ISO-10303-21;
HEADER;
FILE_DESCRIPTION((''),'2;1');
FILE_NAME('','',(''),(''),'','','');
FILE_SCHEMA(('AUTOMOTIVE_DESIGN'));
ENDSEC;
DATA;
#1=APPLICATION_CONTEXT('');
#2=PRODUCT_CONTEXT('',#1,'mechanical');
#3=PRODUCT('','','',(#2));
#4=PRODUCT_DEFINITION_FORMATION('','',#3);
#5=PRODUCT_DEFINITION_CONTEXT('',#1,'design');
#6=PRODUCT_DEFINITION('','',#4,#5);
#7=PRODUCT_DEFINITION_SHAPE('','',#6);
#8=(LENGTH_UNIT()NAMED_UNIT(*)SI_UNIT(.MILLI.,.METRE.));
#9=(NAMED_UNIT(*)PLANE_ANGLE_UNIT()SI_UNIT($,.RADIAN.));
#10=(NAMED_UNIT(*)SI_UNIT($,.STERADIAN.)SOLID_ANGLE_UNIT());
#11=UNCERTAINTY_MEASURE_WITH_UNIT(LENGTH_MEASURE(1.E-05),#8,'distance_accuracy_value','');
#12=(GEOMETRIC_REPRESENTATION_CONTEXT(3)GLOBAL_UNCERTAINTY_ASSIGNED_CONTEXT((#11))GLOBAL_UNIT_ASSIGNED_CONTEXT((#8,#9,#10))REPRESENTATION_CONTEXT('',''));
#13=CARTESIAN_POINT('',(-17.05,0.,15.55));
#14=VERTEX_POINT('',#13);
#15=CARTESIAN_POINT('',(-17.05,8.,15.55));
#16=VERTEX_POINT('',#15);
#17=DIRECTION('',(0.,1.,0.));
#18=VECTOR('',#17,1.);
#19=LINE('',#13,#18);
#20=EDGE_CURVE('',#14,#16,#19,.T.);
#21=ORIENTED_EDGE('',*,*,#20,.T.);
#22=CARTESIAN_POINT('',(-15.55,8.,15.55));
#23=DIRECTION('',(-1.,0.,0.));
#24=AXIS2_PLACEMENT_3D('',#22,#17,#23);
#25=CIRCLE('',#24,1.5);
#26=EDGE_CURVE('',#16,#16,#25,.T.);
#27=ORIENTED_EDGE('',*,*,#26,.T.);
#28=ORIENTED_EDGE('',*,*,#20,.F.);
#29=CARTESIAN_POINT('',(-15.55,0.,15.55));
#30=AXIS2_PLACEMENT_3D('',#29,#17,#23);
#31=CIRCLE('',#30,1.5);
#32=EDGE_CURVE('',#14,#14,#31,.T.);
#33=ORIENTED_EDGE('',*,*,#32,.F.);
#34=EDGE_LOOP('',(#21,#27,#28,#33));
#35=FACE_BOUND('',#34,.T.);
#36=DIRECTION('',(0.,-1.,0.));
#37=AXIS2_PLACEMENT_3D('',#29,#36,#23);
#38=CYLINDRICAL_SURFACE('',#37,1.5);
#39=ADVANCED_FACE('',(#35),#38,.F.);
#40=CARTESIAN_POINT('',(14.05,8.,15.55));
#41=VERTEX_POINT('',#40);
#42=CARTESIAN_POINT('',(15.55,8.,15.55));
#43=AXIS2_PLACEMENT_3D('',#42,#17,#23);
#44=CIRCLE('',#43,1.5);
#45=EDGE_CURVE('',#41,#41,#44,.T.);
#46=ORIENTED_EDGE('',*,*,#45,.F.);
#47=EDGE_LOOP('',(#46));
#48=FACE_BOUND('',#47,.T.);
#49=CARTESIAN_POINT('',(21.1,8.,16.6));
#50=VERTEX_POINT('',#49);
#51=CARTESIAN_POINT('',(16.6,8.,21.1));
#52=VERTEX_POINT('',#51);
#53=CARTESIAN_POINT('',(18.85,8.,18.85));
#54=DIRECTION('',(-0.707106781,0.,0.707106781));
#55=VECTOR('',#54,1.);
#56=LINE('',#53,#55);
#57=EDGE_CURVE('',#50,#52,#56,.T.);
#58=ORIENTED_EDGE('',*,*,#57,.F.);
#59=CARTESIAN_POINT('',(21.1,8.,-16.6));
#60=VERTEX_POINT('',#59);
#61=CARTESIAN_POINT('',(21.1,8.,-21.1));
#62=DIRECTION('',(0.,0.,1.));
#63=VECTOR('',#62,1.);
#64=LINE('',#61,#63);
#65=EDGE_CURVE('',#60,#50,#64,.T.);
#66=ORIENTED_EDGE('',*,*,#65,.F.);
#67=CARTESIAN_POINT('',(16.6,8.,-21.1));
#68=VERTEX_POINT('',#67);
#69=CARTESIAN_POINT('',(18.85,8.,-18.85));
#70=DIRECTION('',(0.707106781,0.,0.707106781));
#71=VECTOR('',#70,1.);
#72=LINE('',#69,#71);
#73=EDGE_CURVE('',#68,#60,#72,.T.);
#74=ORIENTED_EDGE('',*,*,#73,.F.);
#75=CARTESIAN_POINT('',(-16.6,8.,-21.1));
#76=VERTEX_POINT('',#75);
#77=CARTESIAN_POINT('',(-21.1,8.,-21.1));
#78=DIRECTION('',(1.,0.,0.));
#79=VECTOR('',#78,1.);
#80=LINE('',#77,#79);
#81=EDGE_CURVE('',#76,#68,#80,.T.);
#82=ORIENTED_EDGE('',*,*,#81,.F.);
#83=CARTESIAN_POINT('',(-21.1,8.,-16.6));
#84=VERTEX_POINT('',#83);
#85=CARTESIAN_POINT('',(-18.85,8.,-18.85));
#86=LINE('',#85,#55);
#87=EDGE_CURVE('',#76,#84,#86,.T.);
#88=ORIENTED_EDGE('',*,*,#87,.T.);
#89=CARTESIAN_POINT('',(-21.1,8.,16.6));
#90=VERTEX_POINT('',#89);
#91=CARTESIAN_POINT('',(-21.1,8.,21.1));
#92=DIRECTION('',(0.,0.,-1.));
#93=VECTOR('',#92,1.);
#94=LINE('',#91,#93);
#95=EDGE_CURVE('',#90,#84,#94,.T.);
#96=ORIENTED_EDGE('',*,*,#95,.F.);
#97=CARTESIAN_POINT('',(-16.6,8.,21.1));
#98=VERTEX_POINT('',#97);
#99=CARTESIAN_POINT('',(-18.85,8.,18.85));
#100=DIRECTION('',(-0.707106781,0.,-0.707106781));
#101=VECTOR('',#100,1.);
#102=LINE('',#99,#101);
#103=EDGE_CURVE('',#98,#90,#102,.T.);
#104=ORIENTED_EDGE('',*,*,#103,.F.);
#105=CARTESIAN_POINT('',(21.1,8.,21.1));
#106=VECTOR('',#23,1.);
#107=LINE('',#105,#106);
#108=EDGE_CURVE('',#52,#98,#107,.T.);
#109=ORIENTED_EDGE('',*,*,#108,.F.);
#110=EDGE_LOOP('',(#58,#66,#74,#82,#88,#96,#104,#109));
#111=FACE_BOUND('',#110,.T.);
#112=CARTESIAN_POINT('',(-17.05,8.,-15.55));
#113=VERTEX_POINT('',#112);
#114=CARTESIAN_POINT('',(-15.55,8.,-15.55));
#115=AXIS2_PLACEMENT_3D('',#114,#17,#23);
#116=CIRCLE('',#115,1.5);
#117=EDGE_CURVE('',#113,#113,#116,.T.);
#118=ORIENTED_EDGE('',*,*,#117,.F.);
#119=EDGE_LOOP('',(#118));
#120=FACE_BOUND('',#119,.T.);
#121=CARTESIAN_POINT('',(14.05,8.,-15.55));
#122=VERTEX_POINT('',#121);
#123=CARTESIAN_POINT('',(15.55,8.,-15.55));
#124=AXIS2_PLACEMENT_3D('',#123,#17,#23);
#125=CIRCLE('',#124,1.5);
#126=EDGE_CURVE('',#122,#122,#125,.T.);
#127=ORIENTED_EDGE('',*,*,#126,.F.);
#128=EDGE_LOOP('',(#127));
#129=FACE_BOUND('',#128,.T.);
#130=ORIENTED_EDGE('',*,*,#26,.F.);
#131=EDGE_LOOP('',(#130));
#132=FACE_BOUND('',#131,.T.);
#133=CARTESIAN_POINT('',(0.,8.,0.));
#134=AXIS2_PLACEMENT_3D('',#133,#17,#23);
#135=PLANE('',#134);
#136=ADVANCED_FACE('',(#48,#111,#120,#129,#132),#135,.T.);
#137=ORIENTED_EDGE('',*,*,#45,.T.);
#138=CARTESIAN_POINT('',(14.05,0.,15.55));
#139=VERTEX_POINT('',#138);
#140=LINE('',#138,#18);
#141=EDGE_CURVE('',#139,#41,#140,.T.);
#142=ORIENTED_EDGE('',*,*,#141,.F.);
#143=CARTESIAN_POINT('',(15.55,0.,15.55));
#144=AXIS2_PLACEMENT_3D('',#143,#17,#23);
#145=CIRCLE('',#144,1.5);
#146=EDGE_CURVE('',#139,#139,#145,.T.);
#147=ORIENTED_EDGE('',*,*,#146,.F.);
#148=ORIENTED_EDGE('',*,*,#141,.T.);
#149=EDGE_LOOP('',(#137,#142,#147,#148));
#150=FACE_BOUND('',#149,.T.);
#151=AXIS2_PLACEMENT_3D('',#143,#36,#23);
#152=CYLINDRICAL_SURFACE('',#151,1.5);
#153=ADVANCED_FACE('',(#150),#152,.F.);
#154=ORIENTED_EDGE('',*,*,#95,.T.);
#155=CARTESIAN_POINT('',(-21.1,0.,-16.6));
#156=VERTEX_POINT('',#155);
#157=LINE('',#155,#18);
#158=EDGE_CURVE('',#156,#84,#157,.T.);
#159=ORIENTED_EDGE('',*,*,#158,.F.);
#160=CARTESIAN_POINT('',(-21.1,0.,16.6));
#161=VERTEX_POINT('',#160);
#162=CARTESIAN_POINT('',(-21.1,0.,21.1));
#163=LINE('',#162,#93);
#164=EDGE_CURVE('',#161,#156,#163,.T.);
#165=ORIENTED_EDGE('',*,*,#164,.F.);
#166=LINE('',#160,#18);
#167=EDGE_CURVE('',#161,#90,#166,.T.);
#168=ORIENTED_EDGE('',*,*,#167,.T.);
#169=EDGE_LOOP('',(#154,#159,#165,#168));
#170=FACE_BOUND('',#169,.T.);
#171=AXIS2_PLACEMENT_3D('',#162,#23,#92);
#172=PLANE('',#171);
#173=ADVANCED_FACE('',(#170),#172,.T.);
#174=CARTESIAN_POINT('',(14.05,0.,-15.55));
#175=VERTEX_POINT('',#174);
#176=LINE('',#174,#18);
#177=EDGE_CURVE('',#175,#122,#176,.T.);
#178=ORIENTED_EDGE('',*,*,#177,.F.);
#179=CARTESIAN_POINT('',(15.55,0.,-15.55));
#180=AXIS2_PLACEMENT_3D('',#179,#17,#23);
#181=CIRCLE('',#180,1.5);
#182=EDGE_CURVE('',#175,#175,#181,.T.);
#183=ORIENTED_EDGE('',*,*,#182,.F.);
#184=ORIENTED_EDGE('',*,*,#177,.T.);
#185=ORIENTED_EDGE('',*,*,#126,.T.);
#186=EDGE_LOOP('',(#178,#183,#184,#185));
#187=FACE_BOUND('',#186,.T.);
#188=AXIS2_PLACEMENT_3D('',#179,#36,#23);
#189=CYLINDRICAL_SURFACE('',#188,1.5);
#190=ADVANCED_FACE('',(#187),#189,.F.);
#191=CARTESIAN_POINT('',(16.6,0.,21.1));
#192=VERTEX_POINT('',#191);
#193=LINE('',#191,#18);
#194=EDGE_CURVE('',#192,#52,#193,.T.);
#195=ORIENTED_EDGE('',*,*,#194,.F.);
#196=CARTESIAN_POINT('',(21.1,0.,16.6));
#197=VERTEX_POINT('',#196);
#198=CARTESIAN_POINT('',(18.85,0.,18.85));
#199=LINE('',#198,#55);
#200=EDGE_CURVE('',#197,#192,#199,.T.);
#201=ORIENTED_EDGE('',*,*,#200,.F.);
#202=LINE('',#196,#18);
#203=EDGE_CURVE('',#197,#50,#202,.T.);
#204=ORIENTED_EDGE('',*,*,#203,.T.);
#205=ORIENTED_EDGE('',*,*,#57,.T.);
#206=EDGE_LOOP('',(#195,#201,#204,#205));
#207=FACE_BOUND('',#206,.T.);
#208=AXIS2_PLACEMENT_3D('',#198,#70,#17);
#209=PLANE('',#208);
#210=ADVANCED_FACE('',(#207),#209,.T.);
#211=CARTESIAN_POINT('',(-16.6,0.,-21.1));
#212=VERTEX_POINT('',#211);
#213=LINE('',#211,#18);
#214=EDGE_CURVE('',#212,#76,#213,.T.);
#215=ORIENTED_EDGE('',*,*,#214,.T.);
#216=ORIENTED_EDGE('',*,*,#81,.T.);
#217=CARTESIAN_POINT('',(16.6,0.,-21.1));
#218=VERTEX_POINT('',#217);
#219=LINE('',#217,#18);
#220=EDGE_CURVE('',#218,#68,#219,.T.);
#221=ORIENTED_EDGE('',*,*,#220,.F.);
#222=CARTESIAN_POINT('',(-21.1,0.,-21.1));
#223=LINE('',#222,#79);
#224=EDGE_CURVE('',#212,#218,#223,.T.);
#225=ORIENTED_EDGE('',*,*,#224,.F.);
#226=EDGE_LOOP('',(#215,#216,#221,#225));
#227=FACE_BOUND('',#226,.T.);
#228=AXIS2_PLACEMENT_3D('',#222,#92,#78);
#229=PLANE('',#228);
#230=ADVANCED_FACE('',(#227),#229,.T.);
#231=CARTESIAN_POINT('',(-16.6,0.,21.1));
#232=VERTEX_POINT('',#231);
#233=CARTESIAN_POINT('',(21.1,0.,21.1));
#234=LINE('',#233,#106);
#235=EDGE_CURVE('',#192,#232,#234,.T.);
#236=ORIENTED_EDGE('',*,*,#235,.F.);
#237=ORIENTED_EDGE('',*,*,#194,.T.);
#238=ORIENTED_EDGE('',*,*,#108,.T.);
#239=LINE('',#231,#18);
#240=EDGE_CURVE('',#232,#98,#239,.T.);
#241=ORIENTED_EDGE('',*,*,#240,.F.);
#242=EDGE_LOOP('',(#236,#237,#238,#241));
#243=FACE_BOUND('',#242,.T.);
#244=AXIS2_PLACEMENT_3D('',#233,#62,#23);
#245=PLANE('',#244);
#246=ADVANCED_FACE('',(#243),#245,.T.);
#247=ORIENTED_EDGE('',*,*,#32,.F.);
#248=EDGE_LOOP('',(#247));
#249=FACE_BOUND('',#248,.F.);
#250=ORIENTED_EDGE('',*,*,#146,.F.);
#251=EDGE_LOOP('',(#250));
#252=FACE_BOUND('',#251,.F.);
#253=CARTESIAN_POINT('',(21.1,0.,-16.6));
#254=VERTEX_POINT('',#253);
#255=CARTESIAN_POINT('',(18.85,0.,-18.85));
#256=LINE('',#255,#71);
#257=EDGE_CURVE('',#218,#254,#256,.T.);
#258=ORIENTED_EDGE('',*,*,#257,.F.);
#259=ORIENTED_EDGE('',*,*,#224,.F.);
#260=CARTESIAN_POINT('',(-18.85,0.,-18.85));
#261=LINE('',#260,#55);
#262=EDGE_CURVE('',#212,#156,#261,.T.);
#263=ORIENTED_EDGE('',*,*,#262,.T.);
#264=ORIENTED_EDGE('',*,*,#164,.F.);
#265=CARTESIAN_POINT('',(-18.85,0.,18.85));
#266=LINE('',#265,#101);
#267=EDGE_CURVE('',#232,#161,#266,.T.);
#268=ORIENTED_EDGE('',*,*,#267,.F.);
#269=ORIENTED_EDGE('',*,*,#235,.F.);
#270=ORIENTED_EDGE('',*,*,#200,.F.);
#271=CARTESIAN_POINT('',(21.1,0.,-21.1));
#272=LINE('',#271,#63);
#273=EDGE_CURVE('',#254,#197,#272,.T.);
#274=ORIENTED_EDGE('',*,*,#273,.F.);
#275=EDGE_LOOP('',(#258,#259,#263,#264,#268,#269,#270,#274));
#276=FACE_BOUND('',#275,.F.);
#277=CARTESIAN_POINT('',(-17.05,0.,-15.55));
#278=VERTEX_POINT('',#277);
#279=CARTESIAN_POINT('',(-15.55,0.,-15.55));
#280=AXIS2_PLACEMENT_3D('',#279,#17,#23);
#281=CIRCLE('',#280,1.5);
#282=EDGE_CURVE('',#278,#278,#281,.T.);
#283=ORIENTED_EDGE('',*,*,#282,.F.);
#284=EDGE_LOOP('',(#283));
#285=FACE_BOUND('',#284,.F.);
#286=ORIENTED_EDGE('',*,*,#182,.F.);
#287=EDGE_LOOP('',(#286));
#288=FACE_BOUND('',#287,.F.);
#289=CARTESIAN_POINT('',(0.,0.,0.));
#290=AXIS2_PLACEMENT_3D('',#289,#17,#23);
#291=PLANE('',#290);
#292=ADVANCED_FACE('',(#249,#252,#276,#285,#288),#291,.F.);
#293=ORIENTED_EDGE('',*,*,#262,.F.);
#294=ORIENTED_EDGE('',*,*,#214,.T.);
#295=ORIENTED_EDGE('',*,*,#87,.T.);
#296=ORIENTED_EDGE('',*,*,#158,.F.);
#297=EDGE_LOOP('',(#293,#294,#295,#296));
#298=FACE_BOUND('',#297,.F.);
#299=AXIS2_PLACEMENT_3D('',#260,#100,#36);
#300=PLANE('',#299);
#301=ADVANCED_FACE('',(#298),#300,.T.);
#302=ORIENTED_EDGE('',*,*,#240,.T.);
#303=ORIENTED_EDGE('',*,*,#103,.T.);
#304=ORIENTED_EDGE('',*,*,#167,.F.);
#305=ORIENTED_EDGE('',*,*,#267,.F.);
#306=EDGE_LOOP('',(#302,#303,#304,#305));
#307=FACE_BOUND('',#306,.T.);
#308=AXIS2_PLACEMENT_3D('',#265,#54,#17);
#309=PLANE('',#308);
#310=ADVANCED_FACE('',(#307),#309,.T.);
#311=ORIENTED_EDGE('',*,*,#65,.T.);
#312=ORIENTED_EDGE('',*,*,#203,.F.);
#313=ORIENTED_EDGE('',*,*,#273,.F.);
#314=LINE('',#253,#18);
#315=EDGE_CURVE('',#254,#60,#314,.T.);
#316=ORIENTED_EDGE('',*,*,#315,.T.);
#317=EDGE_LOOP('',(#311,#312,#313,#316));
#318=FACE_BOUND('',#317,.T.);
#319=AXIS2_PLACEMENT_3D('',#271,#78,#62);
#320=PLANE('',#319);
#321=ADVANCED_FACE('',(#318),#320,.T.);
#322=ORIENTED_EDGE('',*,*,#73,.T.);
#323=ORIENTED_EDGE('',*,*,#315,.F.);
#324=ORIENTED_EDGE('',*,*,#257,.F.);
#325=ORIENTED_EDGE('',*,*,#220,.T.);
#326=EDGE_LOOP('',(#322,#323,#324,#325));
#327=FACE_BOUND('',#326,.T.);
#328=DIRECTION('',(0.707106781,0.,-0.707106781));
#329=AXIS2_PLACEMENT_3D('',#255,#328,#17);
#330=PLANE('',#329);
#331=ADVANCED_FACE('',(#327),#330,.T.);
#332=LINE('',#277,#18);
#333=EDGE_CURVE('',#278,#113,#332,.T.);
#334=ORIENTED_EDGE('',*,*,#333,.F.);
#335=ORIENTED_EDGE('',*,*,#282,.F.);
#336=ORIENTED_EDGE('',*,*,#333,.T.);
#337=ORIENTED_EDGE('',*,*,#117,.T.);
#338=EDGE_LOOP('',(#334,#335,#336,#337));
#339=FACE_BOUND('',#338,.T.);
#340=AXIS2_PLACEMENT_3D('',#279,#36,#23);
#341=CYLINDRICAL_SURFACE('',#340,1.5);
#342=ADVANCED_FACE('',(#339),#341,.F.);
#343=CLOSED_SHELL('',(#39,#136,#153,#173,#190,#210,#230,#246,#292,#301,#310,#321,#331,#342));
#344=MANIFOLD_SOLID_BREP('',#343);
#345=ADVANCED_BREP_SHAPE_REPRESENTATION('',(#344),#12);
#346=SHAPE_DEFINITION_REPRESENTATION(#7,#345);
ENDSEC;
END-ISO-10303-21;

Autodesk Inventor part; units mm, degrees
ref_plane "YZ Plane" through (0, 0, 0) normal (1, 0, 0) x (0, 1, 0)
ref_plane "XZ Plane" through (0, 0, 0) normal (0, 1, 0) x (-1, 0, 0)
ref_plane "XY Plane" through (0, 0, 0) normal (0, 0, 1) x (1, 0, 0)
sketch "Эскиз1" plane through (0, 0, 0) normal (0, 1, 0) x (-1, 0, 0)
  line L0 (21.1, -21.1) -> (-21.1, -21.1)
  line L1 (-21.1, -21.1) -> (-21.1, 21.1)
  line L2 (-21.1, 21.1) -> (21.1, 21.1)
  line L3 (21.1, 21.1) -> (21.1, -21.1)
  line L4 (21.1, -21.1) -> (-21.1, 21.1) construction
  line L5 (-21.1, -21.1) -> (21.1, 21.1) construction
  line L6 (-15.55, 15.55) -> (15.55, 15.55) construction
  line L7 (15.55, 15.55) -> (15.55, -15.55) construction
  line L8 (15.55, -15.55) -> (-15.55, -15.55) construction
  line L9 (-15.55, -15.55) -> (-15.55, 15.55) construction
  line L10 (-15.55, 15.55) -> (15.55, -15.55) construction
  line L11 (15.55, 15.55) -> (-15.55, -15.55) construction
  circle A0 centre (-15.55, -15.55) radius 1.5
  circle A1 centre (15.55, -15.55) radius 1.5
  circle A2 centre (15.55, 15.55) radius 1.5
  circle A3 centre (-15.55, 15.55) radius 1.5
  point P0 (0, 0)
  dimension "d0" = 42.2
  dimension "d1" = 42.2
  dimension "d2" = 31.1
  dimension "d3" = 31.1
  dimension "d4" = 3
  dimension "d5" = 3
  dimension "d6" = 3
  dimension "d7" = 3
extrude "Выдавливание1" add sketch "Эскиз1" along normal blind 8
chamfer "Фаска1" distance 4.5 angle 45 4 edges at (21.1, 4, -21.1) (21.1, 4, 21.1) (-21.1, 4, 21.1) (-21.1, 4, -21.1)
thread "Резьба1" size "M3x0.5" class "6H" standard "ANSI Metric M Profile" full length
thread "Резьба2" size "M3x0.5" class "6H" standard "ANSI Metric M Profile" full length
thread "Резьба3" size "M3x0.5" class "6H" standard "ANSI Metric M Profile" full length
thread "Резьба4" size "M3x0.5" class "6H" standard "ANSI Metric M Profile" full length
properties part number "Top"
